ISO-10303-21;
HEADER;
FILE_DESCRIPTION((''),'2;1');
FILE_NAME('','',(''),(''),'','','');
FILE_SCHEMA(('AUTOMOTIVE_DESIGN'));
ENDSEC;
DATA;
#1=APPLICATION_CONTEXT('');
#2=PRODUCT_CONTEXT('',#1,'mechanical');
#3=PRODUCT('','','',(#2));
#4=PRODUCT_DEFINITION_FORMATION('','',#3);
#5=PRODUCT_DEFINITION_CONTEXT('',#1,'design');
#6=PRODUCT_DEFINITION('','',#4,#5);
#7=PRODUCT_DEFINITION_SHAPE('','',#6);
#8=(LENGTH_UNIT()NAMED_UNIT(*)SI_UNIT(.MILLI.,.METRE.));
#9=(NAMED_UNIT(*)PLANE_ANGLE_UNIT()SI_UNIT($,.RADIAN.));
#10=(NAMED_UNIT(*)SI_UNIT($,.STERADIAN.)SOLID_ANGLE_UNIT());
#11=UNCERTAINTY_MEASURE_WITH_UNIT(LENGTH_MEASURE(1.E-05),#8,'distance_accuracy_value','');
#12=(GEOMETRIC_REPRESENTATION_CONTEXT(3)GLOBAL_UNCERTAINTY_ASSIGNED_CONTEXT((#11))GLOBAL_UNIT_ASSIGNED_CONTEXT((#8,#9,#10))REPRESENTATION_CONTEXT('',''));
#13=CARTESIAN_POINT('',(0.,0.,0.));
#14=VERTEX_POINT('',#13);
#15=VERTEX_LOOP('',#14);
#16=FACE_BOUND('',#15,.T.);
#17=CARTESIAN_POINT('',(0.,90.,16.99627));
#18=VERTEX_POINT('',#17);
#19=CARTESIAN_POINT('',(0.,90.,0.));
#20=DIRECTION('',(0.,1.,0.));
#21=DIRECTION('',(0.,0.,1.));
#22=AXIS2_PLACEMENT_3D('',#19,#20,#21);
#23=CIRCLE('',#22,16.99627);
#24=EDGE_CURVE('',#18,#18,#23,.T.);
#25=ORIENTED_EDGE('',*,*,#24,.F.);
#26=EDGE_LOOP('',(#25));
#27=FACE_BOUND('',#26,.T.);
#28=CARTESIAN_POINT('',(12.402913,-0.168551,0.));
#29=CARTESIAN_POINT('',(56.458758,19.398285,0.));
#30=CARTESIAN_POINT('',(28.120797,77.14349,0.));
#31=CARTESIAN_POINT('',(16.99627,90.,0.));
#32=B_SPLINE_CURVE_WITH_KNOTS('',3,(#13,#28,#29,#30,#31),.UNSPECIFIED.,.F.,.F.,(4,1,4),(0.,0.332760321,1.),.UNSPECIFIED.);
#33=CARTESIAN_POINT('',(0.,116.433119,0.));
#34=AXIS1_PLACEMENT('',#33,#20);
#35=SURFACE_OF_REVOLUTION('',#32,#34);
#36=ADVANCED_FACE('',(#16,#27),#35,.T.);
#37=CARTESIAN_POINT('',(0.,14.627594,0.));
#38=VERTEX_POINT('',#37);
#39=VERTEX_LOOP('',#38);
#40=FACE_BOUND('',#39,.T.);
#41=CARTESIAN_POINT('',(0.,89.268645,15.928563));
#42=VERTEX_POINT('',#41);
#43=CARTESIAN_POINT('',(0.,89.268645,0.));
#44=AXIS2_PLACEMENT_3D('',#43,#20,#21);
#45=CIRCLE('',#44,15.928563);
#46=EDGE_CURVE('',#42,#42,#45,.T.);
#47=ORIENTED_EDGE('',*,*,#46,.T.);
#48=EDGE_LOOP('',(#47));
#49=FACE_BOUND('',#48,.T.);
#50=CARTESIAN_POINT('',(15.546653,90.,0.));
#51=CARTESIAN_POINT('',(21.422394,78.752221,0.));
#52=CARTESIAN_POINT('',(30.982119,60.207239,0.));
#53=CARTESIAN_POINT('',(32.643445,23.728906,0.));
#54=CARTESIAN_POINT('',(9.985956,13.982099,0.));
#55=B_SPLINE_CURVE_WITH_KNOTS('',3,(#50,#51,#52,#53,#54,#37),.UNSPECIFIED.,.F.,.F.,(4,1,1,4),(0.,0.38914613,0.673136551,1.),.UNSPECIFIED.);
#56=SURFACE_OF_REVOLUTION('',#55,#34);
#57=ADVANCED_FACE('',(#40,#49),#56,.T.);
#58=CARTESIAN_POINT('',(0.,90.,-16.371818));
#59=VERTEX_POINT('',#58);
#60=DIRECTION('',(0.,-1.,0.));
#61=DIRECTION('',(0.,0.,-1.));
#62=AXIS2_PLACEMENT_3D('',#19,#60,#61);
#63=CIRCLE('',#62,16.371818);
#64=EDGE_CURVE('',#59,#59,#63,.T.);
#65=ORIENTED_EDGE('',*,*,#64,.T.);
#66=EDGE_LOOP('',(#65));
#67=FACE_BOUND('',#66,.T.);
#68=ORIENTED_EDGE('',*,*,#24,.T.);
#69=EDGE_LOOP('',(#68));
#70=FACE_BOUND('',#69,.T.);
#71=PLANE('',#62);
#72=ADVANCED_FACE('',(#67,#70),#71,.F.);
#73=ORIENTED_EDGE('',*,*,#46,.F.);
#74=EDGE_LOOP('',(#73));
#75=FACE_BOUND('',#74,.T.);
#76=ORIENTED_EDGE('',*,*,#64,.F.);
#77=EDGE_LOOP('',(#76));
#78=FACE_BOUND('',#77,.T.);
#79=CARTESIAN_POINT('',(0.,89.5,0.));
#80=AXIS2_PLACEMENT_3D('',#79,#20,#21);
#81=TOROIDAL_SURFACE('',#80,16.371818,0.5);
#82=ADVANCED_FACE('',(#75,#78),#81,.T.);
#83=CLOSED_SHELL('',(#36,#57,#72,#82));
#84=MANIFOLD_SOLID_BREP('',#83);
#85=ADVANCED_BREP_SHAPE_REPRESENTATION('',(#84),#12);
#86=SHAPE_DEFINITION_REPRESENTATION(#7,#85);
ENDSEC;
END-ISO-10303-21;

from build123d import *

# Parameters (mm, degrees)
FILLET_1_R = 0.5


with BuildPart() as part:
    # 草图1<2> → 旋转2 (revolve)
    with BuildSketch(Plane.XY):
        with BuildLine():
            add(Edge.make_bspline(
                [(0, 0), (12.40291346, -0.168550615), (56.458757742, 19.398284917), (28.12079665, 77.143490221), (16.99626997, 90)],
                knots=[0, 0, 0, 0, 0.332760321, 1, 1, 1, 1], degree=3))
            Line((16.99626997, 90), (15.546652901, 90))
            add(Edge.make_bspline(
                [(15.546652901, 90), (21.422394386, 78.752220542), (30.982118984, 60.2072392), (32.643445197, 23.72890558), (9.985955992, 13.982099017), (0, 14.627594365)],
                knots=[0, 0, 0, 0, 0.38914613, 0.673136551, 1, 1, 1, 1], degree=3))
            Line((0, 14.627594365), (0, 0))
        make_face()
    revolve(axis=Axis((0, 116.433118832, 0), (0, -1, 0)))

    # 圆角1
    fillet_1_edges = [part.edges().sort_by_distance(p)[0] for p in [
        (-15.546652901, 90, 0),
    ]]
    fillet(fillet_1_edges, radius=FILLET_1_R)


solid = part.part
